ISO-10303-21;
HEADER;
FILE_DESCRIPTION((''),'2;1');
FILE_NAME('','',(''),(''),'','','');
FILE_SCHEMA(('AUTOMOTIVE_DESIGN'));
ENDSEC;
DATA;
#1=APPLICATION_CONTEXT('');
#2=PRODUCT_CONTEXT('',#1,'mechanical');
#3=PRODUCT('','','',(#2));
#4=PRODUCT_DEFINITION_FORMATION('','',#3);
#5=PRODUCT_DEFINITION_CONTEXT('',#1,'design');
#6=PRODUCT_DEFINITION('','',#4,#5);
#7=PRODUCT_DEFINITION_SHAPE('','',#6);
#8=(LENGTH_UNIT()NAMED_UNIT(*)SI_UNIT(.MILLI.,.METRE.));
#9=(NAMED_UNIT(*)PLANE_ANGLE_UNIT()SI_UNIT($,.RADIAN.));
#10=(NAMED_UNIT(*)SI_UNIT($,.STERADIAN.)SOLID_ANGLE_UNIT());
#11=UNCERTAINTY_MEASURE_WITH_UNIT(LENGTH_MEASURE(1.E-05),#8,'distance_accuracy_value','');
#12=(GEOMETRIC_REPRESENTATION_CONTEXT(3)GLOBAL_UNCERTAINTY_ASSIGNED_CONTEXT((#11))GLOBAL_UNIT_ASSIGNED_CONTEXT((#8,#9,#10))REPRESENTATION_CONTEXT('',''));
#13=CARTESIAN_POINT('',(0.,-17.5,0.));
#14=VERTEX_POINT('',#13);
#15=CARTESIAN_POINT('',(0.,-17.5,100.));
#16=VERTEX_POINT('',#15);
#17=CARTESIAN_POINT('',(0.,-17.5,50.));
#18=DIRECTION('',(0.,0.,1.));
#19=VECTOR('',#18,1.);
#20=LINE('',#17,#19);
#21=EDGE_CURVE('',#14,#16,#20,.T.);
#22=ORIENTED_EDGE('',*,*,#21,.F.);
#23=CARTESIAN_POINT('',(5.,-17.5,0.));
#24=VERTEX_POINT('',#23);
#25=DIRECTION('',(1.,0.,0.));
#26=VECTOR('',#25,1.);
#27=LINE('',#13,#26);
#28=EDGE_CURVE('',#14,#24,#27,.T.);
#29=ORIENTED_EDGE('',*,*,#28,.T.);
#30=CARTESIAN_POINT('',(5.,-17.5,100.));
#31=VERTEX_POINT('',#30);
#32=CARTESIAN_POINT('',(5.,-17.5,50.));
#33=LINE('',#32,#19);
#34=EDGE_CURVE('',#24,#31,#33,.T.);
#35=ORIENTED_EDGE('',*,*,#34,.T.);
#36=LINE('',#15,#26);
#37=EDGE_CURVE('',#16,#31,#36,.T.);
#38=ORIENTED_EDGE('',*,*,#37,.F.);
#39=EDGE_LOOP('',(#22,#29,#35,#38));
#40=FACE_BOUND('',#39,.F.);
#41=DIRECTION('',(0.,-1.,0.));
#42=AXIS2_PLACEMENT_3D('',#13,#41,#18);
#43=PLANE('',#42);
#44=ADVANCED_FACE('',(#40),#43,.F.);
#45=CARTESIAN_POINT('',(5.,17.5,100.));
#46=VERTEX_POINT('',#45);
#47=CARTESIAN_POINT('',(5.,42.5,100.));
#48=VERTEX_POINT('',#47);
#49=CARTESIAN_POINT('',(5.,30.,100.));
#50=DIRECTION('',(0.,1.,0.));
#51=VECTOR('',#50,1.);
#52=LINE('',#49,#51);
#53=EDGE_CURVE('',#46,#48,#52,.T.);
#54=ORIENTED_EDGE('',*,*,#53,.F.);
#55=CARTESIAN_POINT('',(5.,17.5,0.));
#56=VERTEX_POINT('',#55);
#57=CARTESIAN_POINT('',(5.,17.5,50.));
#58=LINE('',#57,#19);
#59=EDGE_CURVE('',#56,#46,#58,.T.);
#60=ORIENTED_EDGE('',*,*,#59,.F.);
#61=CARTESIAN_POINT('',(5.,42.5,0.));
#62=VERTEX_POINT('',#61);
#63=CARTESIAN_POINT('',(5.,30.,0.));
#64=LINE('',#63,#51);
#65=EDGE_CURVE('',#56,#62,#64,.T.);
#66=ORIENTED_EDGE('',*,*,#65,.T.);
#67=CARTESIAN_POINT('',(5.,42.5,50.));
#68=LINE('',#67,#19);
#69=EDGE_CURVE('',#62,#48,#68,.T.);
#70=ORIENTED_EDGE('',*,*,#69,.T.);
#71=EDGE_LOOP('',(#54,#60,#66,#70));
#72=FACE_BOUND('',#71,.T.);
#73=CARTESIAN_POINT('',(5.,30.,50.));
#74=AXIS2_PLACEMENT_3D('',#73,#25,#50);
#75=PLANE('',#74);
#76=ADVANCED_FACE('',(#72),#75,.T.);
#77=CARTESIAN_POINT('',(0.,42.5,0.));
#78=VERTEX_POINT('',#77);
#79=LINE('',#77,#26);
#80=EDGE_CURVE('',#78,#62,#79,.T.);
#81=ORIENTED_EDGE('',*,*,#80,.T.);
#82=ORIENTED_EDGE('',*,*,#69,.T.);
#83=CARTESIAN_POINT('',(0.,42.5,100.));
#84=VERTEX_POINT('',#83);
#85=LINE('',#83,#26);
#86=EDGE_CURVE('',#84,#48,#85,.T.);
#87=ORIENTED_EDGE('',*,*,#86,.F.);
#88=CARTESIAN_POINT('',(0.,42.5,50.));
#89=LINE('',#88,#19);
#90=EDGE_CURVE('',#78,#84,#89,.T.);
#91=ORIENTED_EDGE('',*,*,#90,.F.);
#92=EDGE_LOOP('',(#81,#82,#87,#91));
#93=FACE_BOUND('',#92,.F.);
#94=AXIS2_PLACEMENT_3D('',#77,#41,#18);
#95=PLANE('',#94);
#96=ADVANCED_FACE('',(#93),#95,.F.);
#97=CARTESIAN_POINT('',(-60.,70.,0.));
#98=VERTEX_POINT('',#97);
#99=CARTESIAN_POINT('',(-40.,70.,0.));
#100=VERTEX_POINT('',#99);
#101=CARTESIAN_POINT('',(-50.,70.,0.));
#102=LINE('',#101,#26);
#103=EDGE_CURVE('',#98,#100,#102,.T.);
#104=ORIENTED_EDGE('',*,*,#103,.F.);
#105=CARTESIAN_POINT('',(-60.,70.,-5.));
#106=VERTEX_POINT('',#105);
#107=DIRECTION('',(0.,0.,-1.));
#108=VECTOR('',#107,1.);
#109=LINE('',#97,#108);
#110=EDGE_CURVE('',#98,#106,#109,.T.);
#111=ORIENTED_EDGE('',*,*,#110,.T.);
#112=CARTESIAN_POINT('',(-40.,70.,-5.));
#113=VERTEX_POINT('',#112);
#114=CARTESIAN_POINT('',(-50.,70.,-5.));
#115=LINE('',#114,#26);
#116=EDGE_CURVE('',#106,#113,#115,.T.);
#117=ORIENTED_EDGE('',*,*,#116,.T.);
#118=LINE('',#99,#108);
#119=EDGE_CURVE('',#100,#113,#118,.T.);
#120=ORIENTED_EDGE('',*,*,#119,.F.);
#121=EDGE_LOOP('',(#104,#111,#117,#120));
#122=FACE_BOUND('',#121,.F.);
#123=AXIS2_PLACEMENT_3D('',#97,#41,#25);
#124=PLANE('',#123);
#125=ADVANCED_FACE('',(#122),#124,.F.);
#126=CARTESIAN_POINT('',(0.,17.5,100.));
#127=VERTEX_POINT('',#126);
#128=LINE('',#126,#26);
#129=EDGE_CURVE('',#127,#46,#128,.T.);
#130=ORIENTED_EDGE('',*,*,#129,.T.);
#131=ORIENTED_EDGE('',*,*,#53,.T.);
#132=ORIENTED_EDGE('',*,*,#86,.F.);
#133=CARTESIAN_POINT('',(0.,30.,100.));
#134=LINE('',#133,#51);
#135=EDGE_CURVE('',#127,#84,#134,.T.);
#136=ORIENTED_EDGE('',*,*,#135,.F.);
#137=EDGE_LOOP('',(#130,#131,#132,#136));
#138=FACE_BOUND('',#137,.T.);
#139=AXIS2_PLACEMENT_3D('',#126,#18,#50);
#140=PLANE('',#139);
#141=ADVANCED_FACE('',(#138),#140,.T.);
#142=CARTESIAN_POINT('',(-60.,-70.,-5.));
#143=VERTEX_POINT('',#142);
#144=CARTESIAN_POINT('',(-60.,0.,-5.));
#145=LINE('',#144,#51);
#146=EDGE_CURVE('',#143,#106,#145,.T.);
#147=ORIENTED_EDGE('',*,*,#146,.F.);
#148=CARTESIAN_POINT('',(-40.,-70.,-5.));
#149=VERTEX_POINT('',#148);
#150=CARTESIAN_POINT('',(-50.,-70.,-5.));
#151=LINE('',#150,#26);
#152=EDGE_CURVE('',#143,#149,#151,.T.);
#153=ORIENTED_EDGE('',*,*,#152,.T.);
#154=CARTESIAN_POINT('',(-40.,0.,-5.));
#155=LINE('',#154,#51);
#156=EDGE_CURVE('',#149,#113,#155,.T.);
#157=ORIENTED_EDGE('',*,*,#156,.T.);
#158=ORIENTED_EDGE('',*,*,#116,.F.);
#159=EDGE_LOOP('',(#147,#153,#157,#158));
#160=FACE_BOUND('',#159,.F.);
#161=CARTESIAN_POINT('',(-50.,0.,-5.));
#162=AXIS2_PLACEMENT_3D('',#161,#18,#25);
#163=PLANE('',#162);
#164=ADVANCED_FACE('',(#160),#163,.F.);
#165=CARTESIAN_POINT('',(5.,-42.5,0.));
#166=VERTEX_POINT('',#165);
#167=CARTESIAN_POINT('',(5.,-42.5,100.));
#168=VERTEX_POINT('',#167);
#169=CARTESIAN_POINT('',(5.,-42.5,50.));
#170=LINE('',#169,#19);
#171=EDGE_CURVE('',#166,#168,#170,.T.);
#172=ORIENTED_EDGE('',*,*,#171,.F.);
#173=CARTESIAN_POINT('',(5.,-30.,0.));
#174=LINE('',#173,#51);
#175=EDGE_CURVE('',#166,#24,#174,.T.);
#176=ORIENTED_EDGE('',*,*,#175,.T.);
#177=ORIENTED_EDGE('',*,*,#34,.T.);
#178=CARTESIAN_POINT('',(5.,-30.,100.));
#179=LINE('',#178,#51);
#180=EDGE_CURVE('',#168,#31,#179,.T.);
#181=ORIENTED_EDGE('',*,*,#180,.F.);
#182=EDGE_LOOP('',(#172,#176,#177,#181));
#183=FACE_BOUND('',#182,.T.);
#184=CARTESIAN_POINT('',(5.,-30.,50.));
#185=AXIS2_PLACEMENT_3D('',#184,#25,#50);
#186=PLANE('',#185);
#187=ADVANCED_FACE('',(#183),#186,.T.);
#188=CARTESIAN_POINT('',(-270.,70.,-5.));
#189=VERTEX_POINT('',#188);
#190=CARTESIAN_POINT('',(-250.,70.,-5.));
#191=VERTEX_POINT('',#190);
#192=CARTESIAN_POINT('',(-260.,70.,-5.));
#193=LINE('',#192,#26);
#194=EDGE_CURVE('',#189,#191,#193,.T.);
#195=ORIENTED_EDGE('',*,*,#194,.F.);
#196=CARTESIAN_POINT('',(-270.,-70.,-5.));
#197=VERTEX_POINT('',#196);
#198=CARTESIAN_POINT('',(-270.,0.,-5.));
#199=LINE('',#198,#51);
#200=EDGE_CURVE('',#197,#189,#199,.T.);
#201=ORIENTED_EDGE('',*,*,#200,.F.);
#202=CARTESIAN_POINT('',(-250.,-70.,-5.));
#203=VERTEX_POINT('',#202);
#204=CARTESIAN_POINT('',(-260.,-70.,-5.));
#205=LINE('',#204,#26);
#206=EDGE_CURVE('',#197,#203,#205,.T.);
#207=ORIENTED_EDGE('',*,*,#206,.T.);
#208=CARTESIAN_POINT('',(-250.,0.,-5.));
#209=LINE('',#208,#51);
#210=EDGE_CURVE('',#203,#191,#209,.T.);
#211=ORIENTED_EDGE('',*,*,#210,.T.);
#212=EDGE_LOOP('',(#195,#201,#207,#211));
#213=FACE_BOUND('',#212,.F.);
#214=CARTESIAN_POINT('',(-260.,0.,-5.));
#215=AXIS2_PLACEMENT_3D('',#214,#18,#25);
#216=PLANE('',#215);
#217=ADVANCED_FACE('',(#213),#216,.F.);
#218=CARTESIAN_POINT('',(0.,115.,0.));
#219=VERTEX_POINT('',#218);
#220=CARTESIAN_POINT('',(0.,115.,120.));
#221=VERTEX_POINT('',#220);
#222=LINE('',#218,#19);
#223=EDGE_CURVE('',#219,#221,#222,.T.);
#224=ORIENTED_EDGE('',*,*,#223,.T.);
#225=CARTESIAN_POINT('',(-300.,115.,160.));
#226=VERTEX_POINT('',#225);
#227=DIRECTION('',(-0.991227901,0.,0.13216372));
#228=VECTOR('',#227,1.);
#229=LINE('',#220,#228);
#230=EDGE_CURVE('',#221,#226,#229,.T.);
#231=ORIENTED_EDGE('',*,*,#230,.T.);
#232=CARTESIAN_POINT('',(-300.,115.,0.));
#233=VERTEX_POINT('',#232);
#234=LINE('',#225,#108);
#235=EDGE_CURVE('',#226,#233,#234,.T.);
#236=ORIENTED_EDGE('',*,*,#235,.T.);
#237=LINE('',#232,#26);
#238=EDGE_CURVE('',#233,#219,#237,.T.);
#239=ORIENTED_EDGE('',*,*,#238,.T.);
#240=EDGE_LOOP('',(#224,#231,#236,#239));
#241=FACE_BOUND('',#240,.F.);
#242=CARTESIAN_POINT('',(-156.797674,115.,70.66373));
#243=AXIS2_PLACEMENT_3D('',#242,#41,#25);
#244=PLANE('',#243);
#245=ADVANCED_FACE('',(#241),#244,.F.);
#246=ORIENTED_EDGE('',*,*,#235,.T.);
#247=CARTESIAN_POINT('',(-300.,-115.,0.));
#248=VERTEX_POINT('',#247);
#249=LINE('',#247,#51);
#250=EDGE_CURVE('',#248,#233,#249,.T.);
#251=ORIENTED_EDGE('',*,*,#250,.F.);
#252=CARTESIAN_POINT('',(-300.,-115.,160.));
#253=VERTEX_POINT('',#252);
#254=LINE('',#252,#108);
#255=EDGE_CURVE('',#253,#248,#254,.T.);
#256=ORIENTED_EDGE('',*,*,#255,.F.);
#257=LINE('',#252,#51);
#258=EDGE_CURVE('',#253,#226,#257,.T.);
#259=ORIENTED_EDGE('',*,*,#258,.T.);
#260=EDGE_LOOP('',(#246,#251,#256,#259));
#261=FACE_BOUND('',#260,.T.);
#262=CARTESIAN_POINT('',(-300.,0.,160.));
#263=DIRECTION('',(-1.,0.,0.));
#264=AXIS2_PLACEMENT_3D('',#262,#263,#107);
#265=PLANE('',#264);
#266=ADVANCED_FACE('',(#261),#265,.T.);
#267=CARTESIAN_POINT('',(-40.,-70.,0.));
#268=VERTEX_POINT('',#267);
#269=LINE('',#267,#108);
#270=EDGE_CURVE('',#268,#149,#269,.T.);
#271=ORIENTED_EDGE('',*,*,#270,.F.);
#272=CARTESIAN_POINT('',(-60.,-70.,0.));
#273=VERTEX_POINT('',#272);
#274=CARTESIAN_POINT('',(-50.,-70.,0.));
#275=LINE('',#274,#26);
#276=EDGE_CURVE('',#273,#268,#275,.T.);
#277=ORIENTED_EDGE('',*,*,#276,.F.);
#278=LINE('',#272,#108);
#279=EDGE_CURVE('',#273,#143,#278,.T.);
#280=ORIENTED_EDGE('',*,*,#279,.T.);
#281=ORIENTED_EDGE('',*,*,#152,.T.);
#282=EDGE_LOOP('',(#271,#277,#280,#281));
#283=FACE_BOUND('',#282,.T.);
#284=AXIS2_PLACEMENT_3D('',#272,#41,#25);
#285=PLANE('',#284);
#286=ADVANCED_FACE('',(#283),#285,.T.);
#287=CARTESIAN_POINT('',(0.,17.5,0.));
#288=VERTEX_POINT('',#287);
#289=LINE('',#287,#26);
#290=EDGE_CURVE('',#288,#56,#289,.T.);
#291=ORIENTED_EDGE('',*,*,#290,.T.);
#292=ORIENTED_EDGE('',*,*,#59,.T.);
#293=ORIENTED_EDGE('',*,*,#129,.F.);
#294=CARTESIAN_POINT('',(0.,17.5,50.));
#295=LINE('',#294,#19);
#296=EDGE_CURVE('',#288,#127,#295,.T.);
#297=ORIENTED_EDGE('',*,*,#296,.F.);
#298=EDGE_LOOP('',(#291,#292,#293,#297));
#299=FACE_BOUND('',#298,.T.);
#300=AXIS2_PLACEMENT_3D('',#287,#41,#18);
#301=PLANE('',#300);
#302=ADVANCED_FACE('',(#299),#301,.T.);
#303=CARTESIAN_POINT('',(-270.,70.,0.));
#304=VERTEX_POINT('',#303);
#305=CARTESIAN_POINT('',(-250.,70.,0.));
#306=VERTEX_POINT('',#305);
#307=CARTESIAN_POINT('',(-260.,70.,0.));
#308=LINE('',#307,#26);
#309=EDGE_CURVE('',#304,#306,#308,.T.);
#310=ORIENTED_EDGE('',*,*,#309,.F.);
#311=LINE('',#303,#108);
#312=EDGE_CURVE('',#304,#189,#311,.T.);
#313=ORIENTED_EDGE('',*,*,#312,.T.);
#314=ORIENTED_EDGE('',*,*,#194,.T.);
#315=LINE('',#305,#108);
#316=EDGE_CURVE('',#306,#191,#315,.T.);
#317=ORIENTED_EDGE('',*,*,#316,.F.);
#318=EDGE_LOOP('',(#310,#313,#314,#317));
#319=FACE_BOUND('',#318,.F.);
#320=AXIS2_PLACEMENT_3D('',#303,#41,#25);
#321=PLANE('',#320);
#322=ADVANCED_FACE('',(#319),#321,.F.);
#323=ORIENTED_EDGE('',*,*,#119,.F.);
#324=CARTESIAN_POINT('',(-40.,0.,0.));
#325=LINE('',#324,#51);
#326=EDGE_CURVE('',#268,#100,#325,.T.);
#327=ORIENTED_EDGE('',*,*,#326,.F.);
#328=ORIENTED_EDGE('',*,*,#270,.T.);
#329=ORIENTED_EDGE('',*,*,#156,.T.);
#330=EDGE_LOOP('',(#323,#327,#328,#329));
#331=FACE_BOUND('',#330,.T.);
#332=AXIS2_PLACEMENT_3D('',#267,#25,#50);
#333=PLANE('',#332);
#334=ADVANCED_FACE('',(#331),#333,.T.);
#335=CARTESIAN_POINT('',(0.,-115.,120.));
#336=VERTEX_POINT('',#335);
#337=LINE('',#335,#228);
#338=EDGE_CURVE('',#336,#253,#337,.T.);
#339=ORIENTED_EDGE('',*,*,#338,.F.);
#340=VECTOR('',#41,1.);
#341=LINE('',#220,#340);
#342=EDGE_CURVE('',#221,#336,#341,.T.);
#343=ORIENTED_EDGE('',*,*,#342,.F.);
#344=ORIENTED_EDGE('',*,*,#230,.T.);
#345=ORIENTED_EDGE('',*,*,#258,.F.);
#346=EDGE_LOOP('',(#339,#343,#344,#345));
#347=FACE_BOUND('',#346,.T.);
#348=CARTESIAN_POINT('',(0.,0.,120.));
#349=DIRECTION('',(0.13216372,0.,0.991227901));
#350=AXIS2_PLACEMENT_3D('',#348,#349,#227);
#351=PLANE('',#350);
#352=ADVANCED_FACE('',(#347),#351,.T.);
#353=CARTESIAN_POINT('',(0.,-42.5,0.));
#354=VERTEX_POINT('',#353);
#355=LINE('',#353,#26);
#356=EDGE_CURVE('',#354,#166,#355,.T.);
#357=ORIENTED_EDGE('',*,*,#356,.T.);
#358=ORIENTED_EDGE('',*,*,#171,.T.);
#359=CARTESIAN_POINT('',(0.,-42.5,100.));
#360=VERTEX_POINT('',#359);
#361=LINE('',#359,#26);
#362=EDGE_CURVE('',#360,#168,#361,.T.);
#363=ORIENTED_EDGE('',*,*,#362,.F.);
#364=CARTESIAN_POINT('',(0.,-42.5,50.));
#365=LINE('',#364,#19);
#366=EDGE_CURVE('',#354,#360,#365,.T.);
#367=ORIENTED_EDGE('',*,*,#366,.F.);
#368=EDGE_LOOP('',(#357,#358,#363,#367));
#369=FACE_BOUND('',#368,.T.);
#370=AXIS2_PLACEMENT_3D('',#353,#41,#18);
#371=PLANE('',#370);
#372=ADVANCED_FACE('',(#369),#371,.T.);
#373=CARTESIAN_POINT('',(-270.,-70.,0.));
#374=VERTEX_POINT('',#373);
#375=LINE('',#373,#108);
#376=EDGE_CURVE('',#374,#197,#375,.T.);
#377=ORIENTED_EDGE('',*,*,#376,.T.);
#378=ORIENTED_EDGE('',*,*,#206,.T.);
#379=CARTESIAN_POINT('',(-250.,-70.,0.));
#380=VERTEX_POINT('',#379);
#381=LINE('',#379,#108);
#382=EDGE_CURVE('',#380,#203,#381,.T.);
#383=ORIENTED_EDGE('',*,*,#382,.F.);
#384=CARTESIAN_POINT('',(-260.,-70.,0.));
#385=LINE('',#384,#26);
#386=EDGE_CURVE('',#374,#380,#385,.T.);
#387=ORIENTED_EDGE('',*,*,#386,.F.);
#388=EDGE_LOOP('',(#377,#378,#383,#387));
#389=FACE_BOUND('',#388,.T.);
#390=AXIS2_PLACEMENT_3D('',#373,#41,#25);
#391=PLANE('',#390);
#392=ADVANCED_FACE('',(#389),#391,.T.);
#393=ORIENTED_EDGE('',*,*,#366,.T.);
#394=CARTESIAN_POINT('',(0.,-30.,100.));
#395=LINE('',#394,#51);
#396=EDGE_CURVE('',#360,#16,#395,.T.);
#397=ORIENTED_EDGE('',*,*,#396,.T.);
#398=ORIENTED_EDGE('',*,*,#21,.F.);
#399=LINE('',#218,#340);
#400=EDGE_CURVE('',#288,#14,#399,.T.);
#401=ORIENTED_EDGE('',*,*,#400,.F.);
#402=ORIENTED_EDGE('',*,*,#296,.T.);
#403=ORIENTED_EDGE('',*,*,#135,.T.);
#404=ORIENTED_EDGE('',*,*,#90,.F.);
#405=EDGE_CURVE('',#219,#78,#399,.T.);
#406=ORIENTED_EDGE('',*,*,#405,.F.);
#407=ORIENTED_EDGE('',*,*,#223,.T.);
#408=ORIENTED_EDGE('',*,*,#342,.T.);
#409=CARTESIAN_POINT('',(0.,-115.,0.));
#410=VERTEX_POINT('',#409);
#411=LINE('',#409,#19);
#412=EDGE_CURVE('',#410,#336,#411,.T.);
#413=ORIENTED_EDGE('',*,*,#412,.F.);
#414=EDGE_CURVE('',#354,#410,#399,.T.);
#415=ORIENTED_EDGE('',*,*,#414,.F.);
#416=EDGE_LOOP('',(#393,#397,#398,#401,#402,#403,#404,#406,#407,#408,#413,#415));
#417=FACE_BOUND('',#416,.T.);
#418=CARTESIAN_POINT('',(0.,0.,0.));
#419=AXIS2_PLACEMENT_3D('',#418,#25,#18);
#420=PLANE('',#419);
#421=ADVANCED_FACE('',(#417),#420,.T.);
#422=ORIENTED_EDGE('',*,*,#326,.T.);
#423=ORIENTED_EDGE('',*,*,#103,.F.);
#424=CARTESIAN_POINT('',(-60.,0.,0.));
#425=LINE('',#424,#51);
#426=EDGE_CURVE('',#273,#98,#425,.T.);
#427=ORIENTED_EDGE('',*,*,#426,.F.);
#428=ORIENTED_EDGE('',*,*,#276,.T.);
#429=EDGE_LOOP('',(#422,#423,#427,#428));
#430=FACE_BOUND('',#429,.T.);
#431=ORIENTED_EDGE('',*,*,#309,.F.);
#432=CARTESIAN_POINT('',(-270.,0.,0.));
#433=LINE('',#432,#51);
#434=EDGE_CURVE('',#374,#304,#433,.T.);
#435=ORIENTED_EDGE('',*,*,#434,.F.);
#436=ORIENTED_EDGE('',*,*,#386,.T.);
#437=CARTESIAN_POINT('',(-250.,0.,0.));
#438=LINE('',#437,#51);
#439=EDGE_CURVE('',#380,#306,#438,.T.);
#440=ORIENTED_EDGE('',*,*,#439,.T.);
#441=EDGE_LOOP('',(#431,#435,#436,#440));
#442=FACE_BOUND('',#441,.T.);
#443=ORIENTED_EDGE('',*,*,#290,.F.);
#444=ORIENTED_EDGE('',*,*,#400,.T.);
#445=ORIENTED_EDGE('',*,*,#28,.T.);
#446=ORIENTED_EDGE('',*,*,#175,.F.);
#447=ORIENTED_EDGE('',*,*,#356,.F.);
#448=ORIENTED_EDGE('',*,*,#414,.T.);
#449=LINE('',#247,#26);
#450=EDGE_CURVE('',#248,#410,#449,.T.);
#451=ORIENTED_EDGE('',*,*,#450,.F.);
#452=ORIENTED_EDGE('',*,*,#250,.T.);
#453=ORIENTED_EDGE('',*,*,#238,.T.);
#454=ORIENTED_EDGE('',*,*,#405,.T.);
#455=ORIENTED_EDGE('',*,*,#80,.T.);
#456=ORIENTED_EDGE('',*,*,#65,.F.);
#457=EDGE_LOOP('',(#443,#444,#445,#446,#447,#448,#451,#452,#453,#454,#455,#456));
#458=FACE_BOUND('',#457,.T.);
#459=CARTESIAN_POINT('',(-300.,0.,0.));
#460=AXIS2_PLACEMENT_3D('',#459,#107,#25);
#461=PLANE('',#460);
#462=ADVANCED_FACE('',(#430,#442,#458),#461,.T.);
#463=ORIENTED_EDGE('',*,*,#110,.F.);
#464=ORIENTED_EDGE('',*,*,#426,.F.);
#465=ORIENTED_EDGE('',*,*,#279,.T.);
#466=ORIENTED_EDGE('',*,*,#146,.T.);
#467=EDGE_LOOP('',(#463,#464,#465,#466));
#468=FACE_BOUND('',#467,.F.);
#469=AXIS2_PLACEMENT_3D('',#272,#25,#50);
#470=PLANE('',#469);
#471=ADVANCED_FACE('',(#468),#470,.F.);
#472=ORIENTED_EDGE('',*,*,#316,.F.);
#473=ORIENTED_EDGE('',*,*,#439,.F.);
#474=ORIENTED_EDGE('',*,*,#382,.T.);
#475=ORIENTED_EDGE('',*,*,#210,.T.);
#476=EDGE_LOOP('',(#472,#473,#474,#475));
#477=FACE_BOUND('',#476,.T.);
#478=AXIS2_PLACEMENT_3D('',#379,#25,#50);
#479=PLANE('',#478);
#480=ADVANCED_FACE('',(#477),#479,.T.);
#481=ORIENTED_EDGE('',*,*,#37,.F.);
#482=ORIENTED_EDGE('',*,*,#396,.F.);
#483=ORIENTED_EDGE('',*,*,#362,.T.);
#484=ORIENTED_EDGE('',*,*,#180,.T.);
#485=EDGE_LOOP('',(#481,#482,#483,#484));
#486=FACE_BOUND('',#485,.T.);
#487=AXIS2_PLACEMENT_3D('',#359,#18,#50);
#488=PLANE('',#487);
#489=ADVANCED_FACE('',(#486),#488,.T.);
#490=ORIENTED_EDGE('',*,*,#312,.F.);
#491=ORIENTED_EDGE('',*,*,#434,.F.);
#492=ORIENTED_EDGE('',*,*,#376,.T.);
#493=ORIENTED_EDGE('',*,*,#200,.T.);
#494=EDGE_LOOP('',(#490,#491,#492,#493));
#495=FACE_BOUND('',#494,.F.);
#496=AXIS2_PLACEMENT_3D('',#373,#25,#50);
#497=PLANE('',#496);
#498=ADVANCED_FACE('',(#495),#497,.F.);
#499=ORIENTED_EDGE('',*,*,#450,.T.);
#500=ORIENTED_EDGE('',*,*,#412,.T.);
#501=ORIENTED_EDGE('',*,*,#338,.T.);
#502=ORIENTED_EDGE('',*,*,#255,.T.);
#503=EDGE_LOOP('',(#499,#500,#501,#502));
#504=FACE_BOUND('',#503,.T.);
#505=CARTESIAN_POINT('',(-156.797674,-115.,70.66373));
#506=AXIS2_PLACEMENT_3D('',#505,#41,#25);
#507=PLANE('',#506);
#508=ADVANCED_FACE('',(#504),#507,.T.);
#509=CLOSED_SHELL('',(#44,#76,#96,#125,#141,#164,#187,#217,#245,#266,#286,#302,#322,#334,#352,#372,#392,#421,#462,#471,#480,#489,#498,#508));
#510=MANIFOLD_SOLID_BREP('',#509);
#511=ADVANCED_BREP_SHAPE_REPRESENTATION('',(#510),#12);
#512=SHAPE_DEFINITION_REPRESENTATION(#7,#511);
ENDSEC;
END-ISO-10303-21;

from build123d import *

# Parameters (mm, degrees)
F1_DEPTH = 115
F2_W     = 20
F2_H     = 140
F3_DEPTH = 5
F4_W     = 25
F4_H     = 100
F5_DEPTH = 5


with BuildPart() as f1:
    # F0 (on Front) → F1 (new body, symmetric)
    with BuildSketch(Plane.XZ):
        Polygon((-300, 0), (0, 0), (0, 120), (-300, 160), align=None)
    extrude(amount=F1_DEPTH, both=True)

    # F2 (on Top) → F3 (join)
    with BuildSketch(Plane.XY):
        with Locations((-260, 0)):
            Rectangle(F2_W, F2_H)
        with Locations((-50, 0)):
            Rectangle(F2_W, F2_H)
    extrude(amount=-F3_DEPTH)

    # F4 (on Right) → F5 (join)
    with BuildSketch(Plane.YZ):
        with Locations((30, 50)):
            Rectangle(F4_W, F4_H)
        with Locations((-30, 50)):
            Rectangle(F4_W, F4_H)
    extrude(amount=F5_DEPTH)


solid = f1.part
